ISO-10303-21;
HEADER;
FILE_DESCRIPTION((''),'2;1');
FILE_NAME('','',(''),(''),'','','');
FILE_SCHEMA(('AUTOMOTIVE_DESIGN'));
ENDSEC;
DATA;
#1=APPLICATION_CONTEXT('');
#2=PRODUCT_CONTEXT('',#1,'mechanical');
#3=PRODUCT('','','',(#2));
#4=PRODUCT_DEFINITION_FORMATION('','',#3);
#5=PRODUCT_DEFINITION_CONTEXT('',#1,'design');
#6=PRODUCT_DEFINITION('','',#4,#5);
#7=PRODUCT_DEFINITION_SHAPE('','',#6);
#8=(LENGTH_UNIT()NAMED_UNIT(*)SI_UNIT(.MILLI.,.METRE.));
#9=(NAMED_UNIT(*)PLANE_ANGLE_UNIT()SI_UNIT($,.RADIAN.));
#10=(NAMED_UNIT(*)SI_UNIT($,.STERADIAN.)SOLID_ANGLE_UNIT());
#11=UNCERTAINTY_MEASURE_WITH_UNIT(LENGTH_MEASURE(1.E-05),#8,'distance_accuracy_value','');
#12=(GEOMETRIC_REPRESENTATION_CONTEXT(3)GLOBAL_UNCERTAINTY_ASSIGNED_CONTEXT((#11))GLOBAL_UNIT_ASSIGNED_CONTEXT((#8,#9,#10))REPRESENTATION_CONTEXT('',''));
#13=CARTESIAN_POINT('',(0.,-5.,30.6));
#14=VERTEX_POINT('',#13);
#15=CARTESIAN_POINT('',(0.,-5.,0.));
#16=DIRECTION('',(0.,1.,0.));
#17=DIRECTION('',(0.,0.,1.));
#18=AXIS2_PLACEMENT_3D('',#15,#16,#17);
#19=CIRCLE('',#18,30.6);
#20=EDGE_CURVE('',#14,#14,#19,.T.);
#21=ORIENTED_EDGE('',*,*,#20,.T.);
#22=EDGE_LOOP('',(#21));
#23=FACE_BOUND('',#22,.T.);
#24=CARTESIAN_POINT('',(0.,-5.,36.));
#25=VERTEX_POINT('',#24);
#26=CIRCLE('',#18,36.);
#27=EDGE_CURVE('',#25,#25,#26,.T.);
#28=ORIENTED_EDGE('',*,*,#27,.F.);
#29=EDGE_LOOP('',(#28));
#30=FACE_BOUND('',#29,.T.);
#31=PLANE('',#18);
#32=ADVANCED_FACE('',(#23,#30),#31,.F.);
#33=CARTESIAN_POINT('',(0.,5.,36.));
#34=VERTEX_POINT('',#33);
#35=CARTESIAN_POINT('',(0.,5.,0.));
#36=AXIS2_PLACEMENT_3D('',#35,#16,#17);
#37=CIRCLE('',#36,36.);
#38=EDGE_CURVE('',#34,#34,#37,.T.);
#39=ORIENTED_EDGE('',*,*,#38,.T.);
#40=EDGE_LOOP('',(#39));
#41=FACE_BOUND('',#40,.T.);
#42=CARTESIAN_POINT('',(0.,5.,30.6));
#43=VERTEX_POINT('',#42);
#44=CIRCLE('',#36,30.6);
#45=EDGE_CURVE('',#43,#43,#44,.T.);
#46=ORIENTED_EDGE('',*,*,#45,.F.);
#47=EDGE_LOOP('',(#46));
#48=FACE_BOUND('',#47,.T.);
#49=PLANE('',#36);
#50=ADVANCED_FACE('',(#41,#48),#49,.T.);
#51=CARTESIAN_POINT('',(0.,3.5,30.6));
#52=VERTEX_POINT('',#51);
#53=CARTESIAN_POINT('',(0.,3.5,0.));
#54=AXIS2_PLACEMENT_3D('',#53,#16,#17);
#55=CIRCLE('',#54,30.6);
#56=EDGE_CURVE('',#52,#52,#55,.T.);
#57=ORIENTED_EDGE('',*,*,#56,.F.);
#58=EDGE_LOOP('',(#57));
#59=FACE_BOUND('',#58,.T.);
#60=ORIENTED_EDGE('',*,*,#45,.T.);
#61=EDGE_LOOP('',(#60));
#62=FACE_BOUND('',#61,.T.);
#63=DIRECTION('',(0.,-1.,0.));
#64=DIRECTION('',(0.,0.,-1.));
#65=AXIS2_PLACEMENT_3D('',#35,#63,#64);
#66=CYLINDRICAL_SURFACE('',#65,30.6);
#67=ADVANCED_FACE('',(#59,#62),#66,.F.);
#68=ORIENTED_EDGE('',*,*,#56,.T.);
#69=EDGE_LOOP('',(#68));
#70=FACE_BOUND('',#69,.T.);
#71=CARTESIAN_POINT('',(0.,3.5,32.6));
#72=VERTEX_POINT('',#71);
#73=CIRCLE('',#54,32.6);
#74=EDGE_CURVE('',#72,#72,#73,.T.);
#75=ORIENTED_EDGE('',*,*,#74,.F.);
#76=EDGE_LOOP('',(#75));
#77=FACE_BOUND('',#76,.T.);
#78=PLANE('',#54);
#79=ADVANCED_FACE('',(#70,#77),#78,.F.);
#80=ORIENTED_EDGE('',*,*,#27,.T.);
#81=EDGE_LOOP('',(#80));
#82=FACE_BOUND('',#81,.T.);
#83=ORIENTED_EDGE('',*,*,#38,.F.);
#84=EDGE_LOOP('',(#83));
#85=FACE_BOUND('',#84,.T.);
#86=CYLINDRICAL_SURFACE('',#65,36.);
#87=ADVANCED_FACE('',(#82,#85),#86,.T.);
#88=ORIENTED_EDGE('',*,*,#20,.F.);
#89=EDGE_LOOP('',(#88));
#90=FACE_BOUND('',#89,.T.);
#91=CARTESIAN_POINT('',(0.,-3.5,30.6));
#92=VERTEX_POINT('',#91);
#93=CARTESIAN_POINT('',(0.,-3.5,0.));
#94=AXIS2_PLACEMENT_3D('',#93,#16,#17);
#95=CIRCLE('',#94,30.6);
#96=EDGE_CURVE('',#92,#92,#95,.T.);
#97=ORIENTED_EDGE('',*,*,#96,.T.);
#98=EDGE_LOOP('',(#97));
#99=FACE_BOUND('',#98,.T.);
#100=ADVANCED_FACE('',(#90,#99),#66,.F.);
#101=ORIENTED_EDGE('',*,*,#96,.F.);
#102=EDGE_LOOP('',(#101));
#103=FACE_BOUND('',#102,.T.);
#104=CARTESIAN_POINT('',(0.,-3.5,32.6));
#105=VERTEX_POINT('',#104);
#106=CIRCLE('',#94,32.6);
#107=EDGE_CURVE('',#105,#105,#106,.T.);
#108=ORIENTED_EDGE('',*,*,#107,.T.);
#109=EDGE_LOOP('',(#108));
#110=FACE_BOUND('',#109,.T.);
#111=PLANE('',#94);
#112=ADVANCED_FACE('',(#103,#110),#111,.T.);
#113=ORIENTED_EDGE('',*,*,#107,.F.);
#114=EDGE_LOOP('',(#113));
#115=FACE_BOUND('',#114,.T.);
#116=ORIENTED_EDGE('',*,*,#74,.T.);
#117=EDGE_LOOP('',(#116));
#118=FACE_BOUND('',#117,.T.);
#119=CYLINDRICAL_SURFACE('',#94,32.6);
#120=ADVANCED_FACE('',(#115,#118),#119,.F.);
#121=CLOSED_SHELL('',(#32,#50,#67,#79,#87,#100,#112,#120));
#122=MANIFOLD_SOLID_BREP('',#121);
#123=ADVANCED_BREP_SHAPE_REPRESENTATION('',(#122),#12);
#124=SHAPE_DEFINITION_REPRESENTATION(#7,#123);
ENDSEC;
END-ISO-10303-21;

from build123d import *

# Parameters (mm, degrees)
SKETCH1_R           = 36
SKETCH1_R_2         = 30.6
BOSS_EXTRUDE1_DEPTH = 5
SKETCH2_R           = 32.6
CUT_EXTRUDE1_DEPTH  = 3.5


with BuildPart() as part:
    # Sketch1 → Boss-Extrude1 (new body, symmetric)
    with BuildSketch(Plane(origin=(0, 0, 0), x_dir=(1, 0, 0), z_dir=(0, 1, 0))):
        Circle(SKETCH1_R)
        Circle(SKETCH1_R_2, mode=Mode.SUBTRACT)
    extrude(amount=BOSS_EXTRUDE1_DEPTH, both=True)

    # Sketch2 → Cut-Extrude1 (cut, symmetric)
    with BuildSketch(Plane(origin=(0, 0, 0), x_dir=(1, 0, 0), z_dir=(0, 1, 0))):
        Circle(SKETCH2_R)
    extrude(amount=CUT_EXTRUDE1_DEPTH, both=True, mode=Mode.SUBTRACT)


solid = part.part
